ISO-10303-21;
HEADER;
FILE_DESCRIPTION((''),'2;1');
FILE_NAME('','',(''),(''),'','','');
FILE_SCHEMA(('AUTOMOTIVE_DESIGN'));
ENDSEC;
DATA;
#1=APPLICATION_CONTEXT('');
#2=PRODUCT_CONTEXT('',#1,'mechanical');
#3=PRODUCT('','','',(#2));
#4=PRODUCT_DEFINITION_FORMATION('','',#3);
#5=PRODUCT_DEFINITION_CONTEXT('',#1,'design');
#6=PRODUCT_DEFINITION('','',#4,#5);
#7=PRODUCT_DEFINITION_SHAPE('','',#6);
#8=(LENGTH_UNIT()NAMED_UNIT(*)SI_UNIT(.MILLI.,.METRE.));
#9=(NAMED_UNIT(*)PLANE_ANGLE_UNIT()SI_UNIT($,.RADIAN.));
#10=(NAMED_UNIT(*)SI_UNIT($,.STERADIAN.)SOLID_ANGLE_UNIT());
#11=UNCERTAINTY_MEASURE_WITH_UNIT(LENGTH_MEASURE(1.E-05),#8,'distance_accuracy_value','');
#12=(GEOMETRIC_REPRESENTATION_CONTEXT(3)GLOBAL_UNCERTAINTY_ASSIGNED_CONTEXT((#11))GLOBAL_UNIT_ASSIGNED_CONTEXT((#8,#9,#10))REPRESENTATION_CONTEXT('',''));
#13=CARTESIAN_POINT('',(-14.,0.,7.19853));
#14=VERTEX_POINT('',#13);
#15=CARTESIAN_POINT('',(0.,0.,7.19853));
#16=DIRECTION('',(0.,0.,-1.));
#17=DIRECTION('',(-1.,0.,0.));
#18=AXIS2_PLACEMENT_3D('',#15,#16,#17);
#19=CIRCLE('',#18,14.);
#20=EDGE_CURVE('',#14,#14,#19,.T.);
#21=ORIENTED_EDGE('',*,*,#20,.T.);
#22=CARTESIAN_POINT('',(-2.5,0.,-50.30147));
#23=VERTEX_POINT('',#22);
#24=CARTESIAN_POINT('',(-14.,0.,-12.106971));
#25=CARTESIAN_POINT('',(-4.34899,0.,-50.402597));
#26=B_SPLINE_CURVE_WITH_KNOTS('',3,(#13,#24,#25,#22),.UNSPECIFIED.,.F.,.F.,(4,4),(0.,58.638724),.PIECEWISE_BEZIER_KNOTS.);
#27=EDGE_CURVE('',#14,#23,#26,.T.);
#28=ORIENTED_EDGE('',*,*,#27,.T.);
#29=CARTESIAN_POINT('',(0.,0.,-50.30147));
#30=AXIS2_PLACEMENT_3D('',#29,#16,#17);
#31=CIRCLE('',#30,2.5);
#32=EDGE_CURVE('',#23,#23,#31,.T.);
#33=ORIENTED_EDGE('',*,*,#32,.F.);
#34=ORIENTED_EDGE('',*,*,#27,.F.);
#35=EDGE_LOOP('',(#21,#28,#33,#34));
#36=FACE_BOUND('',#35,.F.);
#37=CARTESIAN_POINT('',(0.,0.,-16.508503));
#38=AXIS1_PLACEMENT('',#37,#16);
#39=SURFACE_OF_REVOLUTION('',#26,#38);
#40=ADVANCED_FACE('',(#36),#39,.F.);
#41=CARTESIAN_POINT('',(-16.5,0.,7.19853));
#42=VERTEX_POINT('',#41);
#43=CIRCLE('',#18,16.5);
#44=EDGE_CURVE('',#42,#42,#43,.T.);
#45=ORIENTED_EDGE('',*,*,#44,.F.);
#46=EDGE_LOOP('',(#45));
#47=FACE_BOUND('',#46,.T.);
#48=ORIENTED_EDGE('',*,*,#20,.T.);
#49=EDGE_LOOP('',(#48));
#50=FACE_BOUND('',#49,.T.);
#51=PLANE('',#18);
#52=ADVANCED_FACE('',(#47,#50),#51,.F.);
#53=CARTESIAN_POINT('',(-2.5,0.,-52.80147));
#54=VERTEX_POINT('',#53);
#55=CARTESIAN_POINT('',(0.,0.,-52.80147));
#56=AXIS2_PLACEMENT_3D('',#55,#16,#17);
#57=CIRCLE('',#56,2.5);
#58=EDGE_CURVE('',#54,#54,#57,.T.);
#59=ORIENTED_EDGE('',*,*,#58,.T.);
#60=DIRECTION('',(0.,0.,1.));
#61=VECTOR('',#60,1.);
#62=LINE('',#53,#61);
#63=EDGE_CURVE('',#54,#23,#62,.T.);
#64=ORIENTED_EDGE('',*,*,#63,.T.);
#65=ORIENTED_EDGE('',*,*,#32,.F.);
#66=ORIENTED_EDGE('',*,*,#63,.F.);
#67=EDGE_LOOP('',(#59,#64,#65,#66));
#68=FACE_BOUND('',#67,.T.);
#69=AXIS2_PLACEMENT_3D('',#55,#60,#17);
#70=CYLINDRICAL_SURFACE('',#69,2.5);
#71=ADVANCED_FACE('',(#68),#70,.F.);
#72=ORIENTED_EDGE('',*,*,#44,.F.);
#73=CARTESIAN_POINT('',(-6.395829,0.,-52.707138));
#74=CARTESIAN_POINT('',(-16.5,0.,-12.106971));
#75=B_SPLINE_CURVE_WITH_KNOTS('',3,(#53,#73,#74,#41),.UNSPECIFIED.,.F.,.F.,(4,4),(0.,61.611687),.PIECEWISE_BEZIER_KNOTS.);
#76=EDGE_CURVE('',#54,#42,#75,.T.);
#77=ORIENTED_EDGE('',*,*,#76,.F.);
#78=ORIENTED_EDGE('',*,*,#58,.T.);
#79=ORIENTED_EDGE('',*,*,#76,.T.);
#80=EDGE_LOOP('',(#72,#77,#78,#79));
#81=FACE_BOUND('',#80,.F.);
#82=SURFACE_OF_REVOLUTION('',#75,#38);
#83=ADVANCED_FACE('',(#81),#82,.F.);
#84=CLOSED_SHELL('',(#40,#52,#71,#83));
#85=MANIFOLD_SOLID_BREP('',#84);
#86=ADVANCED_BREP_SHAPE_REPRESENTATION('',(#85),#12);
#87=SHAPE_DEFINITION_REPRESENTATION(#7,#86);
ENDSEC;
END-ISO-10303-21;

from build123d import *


with BuildPart() as f1:
    # F0 (on Front) → F1 (revolve)
    with BuildSketch(Plane.XZ):
        with BuildLine():
            add(Edge.make_bspline(
                [(-2.5, -52.80147), (-6.395829, -52.707138), (-16.5, -12.106971), (-16.5, 7.19853)],
                knots=[0, 0, 0, 0, 61.611687, 61.611687, 61.611687, 61.611687], degree=3))
            Line((-2.5, -52.80147), (-2.5, -50.30147))
            add(Edge.make_bspline(
                [(-14, 7.19853), (-14, -12.106971), (-4.34899, -50.402597), (-2.5, -50.30147)],
                knots=[0, 0, 0, 0, 58.638724, 58.638724, 58.638724, 58.638724], degree=3))
            Line((-14, 7.19853), (-16.5, 7.19853))
        make_face()
    revolve(axis=Axis((0, 0, -16.508503), (0, 0, -1)))


solid = f1.part
